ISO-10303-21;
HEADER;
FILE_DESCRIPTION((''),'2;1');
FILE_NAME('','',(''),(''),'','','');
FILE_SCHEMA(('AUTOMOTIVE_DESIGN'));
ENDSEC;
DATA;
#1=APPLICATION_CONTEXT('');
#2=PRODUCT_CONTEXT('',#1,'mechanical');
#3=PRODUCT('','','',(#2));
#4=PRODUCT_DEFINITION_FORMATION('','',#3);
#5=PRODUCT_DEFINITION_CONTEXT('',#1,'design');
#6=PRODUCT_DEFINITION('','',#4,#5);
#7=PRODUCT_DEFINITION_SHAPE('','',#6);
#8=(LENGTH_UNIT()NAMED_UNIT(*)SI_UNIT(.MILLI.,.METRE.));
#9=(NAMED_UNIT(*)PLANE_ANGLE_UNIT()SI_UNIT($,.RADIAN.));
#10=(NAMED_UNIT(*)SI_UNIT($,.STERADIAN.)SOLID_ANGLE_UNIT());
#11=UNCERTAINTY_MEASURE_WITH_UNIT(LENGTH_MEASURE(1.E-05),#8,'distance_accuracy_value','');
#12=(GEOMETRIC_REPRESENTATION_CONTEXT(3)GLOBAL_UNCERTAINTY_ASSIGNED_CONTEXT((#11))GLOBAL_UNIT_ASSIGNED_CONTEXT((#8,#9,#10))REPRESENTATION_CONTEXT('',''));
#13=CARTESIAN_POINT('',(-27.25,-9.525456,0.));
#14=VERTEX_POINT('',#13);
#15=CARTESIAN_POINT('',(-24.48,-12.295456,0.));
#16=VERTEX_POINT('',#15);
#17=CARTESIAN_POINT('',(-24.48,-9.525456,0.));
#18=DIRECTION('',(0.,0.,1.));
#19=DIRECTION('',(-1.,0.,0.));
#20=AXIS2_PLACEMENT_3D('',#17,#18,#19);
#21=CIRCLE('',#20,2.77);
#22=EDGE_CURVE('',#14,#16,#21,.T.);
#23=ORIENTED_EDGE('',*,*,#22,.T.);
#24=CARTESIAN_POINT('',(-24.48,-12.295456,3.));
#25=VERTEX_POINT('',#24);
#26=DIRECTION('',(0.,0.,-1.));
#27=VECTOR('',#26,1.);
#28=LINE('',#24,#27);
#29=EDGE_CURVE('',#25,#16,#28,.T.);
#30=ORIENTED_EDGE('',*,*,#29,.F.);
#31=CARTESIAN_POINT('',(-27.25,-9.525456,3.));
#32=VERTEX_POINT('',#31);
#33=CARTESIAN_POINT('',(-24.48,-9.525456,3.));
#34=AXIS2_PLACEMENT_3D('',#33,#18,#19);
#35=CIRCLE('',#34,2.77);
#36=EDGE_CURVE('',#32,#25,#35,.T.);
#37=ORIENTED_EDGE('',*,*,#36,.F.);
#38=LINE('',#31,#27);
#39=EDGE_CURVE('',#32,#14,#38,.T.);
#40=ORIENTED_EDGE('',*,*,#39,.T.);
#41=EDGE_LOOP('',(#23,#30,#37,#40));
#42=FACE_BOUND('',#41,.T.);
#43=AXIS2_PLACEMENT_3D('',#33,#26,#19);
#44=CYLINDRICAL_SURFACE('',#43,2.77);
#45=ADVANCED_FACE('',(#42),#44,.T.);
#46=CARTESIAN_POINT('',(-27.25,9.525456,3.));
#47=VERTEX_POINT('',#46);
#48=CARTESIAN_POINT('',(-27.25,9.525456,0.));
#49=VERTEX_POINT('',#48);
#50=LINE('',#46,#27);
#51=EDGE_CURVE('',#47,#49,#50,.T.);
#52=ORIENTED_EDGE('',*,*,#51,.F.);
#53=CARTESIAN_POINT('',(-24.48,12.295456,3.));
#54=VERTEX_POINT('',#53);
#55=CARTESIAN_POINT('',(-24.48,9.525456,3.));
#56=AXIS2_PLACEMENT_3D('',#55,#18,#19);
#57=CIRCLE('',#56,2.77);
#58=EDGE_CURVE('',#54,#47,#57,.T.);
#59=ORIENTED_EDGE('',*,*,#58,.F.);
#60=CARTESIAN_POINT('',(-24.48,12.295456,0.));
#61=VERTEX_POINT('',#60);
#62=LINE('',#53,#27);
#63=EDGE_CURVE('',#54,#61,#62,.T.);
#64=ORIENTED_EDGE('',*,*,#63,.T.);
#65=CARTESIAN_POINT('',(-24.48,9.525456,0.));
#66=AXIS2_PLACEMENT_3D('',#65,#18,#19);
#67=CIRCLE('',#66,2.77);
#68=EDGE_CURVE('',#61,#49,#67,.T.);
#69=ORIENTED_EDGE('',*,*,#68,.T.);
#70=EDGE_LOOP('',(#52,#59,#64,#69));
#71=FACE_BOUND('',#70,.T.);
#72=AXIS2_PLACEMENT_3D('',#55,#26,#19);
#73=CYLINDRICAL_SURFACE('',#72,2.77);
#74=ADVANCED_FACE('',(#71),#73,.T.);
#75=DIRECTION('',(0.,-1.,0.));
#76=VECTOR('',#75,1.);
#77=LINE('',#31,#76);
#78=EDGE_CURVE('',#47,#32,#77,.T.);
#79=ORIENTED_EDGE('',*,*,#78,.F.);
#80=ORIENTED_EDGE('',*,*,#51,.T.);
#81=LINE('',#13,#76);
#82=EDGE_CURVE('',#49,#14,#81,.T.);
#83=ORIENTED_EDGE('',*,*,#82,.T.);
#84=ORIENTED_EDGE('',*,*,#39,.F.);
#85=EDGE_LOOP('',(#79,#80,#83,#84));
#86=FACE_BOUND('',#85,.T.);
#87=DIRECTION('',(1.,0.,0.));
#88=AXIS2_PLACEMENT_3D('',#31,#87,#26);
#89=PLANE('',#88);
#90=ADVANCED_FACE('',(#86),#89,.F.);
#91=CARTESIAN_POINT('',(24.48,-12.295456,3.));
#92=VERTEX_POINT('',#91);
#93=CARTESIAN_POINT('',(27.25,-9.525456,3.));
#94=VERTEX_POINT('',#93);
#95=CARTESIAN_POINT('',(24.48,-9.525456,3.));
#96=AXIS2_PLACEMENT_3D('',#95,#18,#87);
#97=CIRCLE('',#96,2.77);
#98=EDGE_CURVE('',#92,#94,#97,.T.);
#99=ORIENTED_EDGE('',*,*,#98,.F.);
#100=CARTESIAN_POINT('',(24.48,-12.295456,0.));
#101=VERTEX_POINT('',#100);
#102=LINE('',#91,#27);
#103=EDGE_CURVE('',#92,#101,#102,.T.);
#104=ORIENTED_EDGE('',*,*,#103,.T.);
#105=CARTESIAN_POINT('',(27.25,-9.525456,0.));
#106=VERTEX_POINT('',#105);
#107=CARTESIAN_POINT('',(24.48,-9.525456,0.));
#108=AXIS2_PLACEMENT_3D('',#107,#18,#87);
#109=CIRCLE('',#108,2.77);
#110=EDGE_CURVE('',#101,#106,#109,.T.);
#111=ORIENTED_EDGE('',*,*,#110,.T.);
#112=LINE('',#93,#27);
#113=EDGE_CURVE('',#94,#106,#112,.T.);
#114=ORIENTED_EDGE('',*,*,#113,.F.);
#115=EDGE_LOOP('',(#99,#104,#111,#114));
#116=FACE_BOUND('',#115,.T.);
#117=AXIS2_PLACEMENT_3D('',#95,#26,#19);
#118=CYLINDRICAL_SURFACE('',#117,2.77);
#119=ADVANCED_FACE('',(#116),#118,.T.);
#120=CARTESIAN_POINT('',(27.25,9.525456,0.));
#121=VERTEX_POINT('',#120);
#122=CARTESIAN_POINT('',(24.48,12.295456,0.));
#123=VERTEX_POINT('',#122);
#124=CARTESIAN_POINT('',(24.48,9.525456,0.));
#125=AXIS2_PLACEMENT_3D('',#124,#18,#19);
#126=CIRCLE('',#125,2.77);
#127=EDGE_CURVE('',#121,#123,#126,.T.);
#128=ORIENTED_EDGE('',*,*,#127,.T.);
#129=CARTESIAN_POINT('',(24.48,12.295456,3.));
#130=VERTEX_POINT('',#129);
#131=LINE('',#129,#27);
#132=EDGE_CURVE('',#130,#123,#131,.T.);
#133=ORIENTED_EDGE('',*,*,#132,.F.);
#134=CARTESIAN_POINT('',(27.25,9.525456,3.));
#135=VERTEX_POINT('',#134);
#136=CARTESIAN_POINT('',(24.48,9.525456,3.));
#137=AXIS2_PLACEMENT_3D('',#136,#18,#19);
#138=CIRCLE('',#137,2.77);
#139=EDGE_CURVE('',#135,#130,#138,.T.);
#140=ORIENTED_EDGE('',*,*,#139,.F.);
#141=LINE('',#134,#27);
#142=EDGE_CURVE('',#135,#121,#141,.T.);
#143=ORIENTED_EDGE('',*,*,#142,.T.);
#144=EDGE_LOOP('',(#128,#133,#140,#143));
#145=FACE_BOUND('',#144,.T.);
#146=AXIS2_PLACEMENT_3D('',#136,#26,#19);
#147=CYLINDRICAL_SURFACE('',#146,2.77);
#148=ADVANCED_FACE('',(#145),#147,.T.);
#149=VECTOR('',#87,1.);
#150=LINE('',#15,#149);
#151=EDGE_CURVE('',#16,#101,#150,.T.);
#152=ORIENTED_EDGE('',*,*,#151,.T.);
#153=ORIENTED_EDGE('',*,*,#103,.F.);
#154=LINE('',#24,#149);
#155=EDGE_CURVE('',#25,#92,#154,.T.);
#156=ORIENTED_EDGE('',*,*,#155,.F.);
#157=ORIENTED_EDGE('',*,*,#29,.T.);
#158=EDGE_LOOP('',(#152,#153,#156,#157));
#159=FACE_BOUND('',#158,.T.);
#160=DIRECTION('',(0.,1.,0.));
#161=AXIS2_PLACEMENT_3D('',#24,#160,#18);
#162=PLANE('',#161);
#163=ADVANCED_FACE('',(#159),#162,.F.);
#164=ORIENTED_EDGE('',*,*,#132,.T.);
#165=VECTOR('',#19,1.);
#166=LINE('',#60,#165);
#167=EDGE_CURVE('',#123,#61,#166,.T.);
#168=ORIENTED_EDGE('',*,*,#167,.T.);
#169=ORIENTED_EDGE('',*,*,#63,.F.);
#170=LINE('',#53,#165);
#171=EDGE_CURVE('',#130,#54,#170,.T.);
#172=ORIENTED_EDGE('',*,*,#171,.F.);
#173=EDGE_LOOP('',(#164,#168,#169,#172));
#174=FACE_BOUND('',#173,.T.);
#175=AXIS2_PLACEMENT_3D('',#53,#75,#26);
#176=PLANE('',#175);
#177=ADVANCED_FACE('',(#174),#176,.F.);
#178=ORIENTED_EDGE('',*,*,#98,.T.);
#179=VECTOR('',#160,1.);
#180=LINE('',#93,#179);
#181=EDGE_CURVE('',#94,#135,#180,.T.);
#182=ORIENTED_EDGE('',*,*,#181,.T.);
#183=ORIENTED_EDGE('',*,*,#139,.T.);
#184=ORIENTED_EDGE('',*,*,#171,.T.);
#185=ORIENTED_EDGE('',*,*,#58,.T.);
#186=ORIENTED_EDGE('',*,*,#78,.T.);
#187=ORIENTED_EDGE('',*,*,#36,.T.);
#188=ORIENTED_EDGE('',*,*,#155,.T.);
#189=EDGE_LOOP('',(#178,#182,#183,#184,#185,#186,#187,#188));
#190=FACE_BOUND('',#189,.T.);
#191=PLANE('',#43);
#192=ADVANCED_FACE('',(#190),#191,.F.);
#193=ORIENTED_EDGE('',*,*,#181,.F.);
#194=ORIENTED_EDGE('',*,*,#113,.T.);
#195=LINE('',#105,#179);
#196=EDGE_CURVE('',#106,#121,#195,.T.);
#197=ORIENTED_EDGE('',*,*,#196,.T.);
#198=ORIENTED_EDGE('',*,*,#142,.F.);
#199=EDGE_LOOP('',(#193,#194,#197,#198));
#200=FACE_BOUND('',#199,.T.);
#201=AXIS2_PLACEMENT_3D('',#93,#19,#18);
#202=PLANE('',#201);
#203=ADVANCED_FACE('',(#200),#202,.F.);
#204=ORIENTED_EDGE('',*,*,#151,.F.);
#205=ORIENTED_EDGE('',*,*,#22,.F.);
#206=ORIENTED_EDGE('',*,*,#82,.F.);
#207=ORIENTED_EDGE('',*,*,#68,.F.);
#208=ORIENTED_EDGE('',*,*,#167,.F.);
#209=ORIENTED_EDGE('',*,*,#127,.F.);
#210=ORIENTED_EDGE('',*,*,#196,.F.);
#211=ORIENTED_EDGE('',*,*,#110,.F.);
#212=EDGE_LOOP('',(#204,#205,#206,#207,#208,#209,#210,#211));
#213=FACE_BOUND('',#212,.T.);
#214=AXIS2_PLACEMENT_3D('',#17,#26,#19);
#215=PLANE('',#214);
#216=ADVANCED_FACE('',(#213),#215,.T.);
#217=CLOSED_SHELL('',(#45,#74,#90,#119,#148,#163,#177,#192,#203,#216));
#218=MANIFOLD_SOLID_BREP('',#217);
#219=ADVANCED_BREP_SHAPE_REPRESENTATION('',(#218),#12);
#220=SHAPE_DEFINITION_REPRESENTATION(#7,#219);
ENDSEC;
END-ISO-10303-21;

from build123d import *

# Parameters (mm, degrees)
BOSS_EXTRU_1_DEPTH      = 3
ENL_V_MAT_EXTRU_1_DEPTH = 10


with BuildPart() as part:
    # Esquisse1 → Boss.-Extru.1 (new body)
    with BuildSketch(Plane.XY):
        with BuildLine():
            Line((-24.48, -12.295456128), (24.48, -12.295456128))
            ThreePointArc((24.48, -12.295456128), (26.438685784, -11.484141912), (27.25, -9.525456128))
            Line((27.25, -9.525456128), (27.25, 9.525456128))
            ThreePointArc((27.25, 9.525456128), (26.438685784, 11.484141912), (24.48, 12.295456128))
            Line((24.48, 12.295456128), (-24.48, 12.295456128))
            ThreePointArc((-24.48, 12.295456128), (-26.438685784, 11.484141912), (-27.25, 9.525456128))
            Line((-27.25, 9.525456128), (-27.25, -9.525456128))
            ThreePointArc((-27.25, -9.525456128), (-26.438685784, -11.484141912), (-24.48, -12.295456128))
        make_face()
    extrude(amount=BOSS_EXTRU_1_DEPTH)

    # Esquisse2 → Enlèv. mat.-Extru.1 (cut)
    with BuildSketch(Plane.XY.offset(3)):
        Polygon((-124.144777094, 12.295456128), (-15.503134042, 12.295456128), (-6.903134042, 12.295456128), (101.73850901, 12.295456128), (101.73850901, 229.578742232), (-124.144777094, 229.578742232), align=None)
    extrude(amount=-ENL_V_MAT_EXTRU_1_DEPTH, mode=Mode.SUBTRACT)


solid = part.part
